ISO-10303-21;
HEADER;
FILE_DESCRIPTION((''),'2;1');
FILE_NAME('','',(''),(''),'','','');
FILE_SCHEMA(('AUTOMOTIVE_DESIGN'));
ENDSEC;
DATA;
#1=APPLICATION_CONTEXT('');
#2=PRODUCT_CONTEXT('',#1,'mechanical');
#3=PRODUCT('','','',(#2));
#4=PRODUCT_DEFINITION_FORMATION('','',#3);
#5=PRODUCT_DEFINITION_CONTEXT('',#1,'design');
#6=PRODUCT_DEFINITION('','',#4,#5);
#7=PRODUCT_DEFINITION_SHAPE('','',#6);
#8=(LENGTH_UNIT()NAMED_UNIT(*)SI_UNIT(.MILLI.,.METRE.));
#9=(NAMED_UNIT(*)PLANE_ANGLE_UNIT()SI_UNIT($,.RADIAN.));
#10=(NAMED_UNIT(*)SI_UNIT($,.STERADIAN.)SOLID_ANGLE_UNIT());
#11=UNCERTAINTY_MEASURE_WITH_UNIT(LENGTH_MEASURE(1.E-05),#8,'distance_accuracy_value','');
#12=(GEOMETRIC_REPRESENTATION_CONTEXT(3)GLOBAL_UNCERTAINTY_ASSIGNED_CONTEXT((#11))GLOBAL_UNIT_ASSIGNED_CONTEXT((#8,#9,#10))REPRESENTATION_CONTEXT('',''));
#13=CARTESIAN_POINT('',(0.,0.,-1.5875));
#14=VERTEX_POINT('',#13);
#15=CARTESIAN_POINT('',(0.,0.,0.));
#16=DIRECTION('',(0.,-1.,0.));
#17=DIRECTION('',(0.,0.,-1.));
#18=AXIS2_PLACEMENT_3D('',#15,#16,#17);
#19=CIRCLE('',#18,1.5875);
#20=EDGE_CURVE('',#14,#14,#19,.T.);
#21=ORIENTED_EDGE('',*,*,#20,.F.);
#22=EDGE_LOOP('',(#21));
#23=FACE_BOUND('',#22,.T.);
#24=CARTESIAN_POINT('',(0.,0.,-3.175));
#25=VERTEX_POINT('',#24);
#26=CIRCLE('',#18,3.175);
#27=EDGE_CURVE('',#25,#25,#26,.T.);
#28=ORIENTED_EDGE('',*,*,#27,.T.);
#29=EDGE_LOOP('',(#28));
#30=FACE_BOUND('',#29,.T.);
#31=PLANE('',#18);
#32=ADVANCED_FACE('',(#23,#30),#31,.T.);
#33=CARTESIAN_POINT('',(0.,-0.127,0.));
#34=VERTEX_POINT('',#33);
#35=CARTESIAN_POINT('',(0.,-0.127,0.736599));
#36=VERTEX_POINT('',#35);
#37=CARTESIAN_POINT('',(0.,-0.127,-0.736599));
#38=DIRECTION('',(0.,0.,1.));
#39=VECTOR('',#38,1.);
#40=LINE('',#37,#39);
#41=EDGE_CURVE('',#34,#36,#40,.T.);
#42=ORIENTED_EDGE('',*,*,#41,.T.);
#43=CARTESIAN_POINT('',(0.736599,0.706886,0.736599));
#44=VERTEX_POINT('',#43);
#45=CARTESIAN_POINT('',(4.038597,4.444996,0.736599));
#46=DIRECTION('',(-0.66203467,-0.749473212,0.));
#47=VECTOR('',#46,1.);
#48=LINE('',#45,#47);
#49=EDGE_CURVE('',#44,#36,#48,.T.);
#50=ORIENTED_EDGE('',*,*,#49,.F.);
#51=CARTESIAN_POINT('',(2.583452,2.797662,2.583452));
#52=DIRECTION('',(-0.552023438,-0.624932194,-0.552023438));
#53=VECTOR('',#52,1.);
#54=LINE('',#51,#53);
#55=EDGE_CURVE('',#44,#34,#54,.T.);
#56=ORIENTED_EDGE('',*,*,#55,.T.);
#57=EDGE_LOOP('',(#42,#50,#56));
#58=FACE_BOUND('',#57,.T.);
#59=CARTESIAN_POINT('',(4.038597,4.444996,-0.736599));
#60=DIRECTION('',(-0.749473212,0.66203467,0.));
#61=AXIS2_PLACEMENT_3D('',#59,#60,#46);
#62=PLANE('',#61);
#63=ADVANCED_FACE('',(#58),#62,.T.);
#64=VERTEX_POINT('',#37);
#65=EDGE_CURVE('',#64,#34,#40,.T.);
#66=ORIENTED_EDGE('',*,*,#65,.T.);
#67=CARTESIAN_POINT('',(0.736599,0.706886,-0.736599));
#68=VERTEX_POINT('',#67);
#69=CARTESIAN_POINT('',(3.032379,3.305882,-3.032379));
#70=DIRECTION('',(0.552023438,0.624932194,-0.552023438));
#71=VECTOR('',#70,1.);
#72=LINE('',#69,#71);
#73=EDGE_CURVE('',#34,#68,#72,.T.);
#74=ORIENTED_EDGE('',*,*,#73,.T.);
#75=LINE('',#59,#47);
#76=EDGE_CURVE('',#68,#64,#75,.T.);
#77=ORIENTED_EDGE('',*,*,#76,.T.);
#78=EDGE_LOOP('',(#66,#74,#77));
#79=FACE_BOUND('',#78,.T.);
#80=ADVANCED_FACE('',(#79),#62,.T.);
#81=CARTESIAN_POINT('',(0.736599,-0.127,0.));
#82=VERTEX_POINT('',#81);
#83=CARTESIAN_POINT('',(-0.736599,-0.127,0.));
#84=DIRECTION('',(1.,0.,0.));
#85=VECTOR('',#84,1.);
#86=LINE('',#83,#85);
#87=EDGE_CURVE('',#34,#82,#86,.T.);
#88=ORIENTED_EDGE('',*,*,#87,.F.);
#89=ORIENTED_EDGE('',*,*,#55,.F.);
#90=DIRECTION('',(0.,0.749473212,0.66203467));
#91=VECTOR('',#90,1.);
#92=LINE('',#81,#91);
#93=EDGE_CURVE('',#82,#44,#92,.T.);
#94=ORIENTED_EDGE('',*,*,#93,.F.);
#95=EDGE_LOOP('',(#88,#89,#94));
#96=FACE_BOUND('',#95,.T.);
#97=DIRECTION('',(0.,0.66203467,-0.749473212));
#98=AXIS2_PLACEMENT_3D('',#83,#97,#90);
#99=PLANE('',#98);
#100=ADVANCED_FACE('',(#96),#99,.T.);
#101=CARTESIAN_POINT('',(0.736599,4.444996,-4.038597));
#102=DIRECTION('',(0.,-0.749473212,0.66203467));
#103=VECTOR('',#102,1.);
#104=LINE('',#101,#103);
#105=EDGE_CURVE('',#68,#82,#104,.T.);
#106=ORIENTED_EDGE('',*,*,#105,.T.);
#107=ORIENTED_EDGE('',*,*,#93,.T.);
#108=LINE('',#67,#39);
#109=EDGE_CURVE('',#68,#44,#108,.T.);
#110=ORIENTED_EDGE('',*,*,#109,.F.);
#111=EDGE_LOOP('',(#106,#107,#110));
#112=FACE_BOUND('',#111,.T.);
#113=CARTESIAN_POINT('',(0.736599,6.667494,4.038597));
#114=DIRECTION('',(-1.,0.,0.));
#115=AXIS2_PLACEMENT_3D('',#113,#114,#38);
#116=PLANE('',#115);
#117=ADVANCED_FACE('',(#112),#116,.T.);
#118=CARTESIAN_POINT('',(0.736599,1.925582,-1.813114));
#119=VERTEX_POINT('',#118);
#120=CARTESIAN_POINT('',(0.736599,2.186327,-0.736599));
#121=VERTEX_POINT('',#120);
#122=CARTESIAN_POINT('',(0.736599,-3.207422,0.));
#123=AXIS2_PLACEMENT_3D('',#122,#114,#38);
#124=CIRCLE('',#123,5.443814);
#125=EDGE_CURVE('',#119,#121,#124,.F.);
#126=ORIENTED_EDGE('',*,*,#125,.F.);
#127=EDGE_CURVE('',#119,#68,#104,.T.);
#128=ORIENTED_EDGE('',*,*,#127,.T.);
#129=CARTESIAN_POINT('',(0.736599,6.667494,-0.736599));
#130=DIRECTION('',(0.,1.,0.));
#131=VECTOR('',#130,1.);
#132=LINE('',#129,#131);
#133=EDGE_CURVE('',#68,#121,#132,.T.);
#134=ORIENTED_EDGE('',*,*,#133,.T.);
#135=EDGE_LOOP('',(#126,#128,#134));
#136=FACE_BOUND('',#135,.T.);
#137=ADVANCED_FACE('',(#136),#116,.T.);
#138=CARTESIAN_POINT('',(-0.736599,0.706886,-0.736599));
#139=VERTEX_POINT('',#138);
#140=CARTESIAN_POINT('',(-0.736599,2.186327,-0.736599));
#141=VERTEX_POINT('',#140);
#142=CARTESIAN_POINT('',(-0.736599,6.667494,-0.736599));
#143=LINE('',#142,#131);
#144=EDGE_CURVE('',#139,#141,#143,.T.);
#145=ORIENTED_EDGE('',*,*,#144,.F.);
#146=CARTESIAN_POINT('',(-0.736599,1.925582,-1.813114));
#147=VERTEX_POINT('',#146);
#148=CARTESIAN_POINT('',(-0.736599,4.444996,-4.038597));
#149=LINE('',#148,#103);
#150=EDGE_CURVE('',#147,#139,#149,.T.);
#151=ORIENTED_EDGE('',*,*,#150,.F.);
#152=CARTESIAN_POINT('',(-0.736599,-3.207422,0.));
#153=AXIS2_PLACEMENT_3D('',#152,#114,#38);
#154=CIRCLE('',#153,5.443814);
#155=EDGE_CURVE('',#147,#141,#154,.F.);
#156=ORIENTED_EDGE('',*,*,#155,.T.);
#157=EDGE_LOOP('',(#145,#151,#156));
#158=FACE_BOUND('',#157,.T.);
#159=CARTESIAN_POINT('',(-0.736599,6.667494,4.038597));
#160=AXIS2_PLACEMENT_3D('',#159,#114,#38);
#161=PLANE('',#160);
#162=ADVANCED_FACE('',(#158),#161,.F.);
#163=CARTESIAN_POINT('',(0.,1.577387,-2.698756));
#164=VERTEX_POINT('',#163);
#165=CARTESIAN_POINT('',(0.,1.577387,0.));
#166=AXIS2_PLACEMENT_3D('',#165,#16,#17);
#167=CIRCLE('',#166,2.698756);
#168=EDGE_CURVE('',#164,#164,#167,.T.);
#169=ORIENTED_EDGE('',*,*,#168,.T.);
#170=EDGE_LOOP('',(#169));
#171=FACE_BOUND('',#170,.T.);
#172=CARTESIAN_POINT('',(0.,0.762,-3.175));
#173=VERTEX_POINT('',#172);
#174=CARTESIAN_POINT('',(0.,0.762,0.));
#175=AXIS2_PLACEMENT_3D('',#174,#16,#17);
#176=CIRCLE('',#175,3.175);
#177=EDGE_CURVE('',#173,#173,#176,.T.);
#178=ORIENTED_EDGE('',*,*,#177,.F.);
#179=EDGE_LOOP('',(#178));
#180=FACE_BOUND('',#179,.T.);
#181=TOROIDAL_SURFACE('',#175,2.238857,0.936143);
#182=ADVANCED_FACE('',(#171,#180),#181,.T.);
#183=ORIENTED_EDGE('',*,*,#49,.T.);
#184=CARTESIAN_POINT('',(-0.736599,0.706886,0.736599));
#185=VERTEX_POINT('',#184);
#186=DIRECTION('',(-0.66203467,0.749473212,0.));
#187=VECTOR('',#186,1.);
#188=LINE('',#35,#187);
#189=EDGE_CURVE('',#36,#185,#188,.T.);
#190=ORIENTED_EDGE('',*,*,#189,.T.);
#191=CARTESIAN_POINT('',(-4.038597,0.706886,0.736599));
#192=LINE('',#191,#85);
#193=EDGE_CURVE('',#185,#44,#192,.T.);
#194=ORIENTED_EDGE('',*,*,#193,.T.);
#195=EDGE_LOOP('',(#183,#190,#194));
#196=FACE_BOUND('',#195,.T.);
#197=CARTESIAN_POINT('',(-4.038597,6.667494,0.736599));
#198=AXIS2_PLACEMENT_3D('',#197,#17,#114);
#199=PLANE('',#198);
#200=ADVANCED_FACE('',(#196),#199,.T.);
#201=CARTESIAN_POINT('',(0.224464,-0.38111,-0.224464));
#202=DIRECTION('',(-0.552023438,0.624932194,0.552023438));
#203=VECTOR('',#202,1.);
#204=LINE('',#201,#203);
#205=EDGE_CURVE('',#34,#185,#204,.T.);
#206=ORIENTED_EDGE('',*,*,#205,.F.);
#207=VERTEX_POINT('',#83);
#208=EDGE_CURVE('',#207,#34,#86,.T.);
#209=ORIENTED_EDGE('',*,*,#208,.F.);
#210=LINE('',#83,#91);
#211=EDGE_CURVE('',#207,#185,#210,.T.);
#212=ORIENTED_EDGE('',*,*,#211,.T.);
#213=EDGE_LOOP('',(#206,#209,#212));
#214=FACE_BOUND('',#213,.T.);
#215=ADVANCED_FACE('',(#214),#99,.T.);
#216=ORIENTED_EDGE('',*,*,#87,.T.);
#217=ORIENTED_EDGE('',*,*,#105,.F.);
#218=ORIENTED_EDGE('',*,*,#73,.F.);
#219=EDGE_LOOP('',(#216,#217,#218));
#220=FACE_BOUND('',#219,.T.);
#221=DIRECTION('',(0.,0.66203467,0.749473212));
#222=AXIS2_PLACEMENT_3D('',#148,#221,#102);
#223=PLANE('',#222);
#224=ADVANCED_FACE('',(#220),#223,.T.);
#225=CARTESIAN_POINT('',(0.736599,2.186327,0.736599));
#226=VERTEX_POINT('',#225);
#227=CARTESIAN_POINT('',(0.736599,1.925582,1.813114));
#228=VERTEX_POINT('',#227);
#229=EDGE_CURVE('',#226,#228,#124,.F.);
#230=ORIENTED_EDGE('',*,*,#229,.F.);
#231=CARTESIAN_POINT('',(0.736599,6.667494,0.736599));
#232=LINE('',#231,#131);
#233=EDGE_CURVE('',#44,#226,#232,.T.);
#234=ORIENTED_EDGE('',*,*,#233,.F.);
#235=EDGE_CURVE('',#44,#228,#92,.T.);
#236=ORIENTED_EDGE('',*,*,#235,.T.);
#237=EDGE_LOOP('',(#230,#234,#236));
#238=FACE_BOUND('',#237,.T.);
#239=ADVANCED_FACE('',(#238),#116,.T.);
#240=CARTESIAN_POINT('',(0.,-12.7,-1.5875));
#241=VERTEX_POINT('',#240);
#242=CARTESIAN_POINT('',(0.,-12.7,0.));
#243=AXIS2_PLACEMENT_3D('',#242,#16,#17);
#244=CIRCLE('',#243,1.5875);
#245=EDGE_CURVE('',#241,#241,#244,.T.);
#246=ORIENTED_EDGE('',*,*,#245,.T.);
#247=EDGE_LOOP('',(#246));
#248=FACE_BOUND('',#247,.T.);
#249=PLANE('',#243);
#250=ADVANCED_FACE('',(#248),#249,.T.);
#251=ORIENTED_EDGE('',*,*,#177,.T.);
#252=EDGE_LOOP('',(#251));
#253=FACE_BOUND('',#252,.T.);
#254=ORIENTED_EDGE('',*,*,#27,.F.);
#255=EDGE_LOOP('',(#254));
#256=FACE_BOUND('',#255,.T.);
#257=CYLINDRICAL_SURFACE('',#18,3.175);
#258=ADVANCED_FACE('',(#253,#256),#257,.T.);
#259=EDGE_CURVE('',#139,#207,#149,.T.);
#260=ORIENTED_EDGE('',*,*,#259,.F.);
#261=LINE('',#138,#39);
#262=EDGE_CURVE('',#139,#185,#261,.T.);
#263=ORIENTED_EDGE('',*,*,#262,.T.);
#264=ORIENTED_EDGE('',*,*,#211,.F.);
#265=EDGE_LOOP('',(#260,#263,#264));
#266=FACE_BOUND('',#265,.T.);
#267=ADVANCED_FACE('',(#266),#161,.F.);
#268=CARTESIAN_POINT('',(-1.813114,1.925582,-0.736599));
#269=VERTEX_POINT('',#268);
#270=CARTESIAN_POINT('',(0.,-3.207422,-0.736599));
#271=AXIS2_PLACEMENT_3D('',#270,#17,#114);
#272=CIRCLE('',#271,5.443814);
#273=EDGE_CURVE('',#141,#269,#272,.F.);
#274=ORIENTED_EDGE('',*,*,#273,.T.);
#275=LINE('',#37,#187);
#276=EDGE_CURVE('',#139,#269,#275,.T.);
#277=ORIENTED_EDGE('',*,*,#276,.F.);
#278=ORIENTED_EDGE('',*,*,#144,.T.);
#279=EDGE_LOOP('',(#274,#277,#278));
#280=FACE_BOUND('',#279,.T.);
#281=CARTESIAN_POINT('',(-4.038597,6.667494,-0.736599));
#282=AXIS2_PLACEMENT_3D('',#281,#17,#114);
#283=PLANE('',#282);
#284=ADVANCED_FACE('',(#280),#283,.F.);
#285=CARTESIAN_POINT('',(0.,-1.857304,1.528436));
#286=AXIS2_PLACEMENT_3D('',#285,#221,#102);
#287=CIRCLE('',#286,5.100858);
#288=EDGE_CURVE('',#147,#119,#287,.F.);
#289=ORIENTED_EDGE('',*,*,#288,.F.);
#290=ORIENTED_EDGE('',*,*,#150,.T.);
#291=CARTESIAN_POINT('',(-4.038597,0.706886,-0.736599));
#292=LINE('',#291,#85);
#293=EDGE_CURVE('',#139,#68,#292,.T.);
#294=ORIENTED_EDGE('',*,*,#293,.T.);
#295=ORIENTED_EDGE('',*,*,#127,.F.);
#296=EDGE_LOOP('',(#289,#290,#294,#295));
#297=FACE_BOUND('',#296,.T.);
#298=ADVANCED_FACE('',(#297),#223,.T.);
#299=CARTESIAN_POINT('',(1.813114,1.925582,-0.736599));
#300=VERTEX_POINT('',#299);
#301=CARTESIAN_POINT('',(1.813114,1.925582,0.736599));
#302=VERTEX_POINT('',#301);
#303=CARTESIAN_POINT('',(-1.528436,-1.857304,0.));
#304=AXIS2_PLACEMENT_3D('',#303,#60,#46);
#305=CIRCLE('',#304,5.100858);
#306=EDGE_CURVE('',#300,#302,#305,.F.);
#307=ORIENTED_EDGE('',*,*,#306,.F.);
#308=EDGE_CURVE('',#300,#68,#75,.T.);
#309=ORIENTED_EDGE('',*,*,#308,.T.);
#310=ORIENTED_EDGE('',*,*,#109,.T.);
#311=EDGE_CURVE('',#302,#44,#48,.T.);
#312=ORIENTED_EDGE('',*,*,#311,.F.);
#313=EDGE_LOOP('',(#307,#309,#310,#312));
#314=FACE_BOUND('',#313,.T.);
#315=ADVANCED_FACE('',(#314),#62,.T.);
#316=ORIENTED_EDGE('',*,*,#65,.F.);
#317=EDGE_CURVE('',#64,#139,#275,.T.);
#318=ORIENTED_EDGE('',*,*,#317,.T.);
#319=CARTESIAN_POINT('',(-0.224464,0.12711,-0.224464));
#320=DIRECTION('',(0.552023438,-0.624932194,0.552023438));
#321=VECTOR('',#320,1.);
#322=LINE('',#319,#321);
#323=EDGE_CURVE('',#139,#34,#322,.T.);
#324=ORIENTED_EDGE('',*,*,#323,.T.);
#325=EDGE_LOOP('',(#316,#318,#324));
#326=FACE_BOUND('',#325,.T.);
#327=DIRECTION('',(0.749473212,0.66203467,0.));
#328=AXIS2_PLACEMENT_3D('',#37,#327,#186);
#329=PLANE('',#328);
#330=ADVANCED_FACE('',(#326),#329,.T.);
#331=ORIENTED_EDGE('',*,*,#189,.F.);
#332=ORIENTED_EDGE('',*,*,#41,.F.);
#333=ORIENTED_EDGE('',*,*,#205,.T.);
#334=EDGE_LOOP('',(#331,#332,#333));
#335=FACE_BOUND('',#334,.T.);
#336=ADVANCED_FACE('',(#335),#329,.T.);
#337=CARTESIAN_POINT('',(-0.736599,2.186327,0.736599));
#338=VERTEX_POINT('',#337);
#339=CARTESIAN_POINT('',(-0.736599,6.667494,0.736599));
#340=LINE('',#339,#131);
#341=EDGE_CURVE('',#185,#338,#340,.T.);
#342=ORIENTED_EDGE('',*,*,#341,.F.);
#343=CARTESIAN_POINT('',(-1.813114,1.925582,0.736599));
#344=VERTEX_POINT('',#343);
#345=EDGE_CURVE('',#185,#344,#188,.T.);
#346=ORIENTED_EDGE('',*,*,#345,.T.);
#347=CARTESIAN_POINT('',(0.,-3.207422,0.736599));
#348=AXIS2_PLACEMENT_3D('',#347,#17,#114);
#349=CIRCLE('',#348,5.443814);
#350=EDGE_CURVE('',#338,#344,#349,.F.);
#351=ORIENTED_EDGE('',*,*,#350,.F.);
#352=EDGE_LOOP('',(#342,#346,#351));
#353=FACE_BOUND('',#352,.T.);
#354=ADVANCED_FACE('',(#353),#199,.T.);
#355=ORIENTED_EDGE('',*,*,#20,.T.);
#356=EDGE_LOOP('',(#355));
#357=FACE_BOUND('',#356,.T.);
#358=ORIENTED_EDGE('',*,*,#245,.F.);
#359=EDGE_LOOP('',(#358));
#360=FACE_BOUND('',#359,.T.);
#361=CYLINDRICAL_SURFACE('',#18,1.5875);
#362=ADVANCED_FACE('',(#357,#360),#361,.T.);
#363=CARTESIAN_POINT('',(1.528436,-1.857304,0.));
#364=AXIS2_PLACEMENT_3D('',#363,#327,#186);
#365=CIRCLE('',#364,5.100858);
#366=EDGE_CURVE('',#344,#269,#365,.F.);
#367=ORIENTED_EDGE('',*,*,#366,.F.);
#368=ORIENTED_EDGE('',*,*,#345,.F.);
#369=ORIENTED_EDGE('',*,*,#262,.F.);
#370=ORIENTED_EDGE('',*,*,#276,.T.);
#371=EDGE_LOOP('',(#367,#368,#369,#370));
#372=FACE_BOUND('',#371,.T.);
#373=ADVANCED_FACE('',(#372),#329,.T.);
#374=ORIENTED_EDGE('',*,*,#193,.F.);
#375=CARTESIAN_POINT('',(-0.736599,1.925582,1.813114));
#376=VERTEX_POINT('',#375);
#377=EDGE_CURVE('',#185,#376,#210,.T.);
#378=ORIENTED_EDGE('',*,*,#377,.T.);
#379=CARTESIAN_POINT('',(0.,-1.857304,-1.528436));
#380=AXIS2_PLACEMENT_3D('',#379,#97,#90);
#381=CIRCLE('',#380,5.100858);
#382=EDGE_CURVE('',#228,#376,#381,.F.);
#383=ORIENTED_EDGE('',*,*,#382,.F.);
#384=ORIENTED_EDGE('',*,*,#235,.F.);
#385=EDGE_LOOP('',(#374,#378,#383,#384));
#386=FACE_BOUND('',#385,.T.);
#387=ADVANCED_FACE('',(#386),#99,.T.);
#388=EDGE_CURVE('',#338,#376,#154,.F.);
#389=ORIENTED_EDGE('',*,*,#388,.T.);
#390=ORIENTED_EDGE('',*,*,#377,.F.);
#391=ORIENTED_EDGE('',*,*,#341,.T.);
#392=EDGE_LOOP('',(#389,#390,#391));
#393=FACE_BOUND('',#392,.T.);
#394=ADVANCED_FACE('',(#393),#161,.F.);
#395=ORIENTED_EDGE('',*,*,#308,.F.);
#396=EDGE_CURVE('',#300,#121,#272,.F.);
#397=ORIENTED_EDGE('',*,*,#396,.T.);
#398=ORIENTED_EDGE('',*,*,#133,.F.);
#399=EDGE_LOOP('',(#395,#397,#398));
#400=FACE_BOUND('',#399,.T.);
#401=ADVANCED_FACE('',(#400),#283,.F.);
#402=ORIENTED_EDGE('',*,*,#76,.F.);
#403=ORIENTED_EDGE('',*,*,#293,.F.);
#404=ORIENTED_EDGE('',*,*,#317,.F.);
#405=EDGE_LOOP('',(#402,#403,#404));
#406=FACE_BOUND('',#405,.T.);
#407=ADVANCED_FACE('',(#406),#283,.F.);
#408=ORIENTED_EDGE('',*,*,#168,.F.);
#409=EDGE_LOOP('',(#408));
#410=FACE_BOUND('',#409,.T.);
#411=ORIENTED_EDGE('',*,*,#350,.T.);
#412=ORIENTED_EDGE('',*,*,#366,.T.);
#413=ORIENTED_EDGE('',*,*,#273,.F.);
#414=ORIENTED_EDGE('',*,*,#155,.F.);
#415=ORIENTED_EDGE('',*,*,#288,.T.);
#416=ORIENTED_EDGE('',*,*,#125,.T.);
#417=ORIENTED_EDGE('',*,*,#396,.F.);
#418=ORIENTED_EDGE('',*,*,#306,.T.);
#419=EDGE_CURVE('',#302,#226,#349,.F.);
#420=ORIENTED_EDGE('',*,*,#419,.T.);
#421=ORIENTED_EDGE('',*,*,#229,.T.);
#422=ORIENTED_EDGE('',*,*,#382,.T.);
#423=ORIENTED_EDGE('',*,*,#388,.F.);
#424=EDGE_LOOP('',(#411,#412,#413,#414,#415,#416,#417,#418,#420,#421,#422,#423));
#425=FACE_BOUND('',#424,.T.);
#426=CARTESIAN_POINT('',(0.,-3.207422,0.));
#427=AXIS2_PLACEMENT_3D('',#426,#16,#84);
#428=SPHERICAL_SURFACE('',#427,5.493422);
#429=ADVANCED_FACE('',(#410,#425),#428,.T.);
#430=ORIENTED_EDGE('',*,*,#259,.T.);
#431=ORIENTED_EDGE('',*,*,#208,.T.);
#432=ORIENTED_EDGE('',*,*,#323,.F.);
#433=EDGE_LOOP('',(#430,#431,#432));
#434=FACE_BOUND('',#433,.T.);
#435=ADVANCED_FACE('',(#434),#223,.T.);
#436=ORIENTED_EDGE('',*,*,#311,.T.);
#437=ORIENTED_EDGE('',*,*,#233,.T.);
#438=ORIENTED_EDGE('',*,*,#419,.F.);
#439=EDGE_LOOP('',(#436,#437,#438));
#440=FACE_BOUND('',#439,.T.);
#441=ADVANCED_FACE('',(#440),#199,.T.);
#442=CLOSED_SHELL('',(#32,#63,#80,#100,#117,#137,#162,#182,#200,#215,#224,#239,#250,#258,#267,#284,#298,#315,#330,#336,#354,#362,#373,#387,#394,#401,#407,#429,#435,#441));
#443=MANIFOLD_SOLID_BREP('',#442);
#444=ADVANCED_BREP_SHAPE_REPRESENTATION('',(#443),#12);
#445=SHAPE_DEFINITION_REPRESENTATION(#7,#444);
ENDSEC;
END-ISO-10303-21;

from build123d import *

# Parameters (mm, degrees)
SKETCH2_W          = 1.5875
SKETCH2_H          = 12.7
CUT_EXTRUDE1_DEPTH = 0.736599362
CUT_EXTRUDE2_DEPTH = 0.736599362


with BuildPart() as part:
    # Sketch1 → Base-Revolve (revolve)
    with BuildSketch(Plane.XY, mode=Mode.PRIVATE) as base_revolve_sk:
        with BuildLine():
            Line((0, 0), (3.175, 0))
            Line((3.175, 0), (3.175, 0.762))
            ThreePointArc((3.175, 0.762), (3.047218091, 1.234139911), (2.698756382, 1.577387268))
            ThreePointArc((2.698756382, 1.577387268), (1.395118097, 2.105894374), (0, 2.286))
            Line((0, 2.286), (0, 0))
        make_face()
    revolve(base_revolve_sk.sketch.rotate(Axis((0, 0, 0), (0, 1, 0)), 90), axis=Axis((0, 0, 0), (0, 1, 0)))

    # Sketch2 → Boss-Revolve1 (revolve)
    with BuildSketch(Plane.XY):
        with Locations((0.79375, -6.35)):
            Rectangle(SKETCH2_W, SKETCH2_H)
    revolve(axis=Axis((0, 0, 0), (0, 1, 0)))

    # Sketch3 → Cut-Extrude1 (cut, symmetric)
    with BuildSketch(Plane.XY):
        Polygon((-4.038596502, 6.667494225), (4.038596502, 6.667494225), (4.038596502, 4.44499615), (0, -0.12699989), (-4.038596502, 4.44499615), align=None)
    extrude(amount=CUT_EXTRUDE1_DEPTH, both=True, mode=Mode.SUBTRACT)

    # Sketch4 → Cut-Extrude2 (cut, symmetric)
    with BuildSketch(Plane(origin=(0, 0, 0), x_dir=(0, 0, -1), z_dir=(1, 0, 0))):
        Polygon((-4.038596502, 6.667494225), (4.038596502, 6.667494225), (4.038596502, 4.44499615), (0, -0.12699989), (-4.038596502, 4.44499615), align=None)
    extrude(amount=CUT_EXTRUDE2_DEPTH, both=True, mode=Mode.SUBTRACT)


solid = part.part
